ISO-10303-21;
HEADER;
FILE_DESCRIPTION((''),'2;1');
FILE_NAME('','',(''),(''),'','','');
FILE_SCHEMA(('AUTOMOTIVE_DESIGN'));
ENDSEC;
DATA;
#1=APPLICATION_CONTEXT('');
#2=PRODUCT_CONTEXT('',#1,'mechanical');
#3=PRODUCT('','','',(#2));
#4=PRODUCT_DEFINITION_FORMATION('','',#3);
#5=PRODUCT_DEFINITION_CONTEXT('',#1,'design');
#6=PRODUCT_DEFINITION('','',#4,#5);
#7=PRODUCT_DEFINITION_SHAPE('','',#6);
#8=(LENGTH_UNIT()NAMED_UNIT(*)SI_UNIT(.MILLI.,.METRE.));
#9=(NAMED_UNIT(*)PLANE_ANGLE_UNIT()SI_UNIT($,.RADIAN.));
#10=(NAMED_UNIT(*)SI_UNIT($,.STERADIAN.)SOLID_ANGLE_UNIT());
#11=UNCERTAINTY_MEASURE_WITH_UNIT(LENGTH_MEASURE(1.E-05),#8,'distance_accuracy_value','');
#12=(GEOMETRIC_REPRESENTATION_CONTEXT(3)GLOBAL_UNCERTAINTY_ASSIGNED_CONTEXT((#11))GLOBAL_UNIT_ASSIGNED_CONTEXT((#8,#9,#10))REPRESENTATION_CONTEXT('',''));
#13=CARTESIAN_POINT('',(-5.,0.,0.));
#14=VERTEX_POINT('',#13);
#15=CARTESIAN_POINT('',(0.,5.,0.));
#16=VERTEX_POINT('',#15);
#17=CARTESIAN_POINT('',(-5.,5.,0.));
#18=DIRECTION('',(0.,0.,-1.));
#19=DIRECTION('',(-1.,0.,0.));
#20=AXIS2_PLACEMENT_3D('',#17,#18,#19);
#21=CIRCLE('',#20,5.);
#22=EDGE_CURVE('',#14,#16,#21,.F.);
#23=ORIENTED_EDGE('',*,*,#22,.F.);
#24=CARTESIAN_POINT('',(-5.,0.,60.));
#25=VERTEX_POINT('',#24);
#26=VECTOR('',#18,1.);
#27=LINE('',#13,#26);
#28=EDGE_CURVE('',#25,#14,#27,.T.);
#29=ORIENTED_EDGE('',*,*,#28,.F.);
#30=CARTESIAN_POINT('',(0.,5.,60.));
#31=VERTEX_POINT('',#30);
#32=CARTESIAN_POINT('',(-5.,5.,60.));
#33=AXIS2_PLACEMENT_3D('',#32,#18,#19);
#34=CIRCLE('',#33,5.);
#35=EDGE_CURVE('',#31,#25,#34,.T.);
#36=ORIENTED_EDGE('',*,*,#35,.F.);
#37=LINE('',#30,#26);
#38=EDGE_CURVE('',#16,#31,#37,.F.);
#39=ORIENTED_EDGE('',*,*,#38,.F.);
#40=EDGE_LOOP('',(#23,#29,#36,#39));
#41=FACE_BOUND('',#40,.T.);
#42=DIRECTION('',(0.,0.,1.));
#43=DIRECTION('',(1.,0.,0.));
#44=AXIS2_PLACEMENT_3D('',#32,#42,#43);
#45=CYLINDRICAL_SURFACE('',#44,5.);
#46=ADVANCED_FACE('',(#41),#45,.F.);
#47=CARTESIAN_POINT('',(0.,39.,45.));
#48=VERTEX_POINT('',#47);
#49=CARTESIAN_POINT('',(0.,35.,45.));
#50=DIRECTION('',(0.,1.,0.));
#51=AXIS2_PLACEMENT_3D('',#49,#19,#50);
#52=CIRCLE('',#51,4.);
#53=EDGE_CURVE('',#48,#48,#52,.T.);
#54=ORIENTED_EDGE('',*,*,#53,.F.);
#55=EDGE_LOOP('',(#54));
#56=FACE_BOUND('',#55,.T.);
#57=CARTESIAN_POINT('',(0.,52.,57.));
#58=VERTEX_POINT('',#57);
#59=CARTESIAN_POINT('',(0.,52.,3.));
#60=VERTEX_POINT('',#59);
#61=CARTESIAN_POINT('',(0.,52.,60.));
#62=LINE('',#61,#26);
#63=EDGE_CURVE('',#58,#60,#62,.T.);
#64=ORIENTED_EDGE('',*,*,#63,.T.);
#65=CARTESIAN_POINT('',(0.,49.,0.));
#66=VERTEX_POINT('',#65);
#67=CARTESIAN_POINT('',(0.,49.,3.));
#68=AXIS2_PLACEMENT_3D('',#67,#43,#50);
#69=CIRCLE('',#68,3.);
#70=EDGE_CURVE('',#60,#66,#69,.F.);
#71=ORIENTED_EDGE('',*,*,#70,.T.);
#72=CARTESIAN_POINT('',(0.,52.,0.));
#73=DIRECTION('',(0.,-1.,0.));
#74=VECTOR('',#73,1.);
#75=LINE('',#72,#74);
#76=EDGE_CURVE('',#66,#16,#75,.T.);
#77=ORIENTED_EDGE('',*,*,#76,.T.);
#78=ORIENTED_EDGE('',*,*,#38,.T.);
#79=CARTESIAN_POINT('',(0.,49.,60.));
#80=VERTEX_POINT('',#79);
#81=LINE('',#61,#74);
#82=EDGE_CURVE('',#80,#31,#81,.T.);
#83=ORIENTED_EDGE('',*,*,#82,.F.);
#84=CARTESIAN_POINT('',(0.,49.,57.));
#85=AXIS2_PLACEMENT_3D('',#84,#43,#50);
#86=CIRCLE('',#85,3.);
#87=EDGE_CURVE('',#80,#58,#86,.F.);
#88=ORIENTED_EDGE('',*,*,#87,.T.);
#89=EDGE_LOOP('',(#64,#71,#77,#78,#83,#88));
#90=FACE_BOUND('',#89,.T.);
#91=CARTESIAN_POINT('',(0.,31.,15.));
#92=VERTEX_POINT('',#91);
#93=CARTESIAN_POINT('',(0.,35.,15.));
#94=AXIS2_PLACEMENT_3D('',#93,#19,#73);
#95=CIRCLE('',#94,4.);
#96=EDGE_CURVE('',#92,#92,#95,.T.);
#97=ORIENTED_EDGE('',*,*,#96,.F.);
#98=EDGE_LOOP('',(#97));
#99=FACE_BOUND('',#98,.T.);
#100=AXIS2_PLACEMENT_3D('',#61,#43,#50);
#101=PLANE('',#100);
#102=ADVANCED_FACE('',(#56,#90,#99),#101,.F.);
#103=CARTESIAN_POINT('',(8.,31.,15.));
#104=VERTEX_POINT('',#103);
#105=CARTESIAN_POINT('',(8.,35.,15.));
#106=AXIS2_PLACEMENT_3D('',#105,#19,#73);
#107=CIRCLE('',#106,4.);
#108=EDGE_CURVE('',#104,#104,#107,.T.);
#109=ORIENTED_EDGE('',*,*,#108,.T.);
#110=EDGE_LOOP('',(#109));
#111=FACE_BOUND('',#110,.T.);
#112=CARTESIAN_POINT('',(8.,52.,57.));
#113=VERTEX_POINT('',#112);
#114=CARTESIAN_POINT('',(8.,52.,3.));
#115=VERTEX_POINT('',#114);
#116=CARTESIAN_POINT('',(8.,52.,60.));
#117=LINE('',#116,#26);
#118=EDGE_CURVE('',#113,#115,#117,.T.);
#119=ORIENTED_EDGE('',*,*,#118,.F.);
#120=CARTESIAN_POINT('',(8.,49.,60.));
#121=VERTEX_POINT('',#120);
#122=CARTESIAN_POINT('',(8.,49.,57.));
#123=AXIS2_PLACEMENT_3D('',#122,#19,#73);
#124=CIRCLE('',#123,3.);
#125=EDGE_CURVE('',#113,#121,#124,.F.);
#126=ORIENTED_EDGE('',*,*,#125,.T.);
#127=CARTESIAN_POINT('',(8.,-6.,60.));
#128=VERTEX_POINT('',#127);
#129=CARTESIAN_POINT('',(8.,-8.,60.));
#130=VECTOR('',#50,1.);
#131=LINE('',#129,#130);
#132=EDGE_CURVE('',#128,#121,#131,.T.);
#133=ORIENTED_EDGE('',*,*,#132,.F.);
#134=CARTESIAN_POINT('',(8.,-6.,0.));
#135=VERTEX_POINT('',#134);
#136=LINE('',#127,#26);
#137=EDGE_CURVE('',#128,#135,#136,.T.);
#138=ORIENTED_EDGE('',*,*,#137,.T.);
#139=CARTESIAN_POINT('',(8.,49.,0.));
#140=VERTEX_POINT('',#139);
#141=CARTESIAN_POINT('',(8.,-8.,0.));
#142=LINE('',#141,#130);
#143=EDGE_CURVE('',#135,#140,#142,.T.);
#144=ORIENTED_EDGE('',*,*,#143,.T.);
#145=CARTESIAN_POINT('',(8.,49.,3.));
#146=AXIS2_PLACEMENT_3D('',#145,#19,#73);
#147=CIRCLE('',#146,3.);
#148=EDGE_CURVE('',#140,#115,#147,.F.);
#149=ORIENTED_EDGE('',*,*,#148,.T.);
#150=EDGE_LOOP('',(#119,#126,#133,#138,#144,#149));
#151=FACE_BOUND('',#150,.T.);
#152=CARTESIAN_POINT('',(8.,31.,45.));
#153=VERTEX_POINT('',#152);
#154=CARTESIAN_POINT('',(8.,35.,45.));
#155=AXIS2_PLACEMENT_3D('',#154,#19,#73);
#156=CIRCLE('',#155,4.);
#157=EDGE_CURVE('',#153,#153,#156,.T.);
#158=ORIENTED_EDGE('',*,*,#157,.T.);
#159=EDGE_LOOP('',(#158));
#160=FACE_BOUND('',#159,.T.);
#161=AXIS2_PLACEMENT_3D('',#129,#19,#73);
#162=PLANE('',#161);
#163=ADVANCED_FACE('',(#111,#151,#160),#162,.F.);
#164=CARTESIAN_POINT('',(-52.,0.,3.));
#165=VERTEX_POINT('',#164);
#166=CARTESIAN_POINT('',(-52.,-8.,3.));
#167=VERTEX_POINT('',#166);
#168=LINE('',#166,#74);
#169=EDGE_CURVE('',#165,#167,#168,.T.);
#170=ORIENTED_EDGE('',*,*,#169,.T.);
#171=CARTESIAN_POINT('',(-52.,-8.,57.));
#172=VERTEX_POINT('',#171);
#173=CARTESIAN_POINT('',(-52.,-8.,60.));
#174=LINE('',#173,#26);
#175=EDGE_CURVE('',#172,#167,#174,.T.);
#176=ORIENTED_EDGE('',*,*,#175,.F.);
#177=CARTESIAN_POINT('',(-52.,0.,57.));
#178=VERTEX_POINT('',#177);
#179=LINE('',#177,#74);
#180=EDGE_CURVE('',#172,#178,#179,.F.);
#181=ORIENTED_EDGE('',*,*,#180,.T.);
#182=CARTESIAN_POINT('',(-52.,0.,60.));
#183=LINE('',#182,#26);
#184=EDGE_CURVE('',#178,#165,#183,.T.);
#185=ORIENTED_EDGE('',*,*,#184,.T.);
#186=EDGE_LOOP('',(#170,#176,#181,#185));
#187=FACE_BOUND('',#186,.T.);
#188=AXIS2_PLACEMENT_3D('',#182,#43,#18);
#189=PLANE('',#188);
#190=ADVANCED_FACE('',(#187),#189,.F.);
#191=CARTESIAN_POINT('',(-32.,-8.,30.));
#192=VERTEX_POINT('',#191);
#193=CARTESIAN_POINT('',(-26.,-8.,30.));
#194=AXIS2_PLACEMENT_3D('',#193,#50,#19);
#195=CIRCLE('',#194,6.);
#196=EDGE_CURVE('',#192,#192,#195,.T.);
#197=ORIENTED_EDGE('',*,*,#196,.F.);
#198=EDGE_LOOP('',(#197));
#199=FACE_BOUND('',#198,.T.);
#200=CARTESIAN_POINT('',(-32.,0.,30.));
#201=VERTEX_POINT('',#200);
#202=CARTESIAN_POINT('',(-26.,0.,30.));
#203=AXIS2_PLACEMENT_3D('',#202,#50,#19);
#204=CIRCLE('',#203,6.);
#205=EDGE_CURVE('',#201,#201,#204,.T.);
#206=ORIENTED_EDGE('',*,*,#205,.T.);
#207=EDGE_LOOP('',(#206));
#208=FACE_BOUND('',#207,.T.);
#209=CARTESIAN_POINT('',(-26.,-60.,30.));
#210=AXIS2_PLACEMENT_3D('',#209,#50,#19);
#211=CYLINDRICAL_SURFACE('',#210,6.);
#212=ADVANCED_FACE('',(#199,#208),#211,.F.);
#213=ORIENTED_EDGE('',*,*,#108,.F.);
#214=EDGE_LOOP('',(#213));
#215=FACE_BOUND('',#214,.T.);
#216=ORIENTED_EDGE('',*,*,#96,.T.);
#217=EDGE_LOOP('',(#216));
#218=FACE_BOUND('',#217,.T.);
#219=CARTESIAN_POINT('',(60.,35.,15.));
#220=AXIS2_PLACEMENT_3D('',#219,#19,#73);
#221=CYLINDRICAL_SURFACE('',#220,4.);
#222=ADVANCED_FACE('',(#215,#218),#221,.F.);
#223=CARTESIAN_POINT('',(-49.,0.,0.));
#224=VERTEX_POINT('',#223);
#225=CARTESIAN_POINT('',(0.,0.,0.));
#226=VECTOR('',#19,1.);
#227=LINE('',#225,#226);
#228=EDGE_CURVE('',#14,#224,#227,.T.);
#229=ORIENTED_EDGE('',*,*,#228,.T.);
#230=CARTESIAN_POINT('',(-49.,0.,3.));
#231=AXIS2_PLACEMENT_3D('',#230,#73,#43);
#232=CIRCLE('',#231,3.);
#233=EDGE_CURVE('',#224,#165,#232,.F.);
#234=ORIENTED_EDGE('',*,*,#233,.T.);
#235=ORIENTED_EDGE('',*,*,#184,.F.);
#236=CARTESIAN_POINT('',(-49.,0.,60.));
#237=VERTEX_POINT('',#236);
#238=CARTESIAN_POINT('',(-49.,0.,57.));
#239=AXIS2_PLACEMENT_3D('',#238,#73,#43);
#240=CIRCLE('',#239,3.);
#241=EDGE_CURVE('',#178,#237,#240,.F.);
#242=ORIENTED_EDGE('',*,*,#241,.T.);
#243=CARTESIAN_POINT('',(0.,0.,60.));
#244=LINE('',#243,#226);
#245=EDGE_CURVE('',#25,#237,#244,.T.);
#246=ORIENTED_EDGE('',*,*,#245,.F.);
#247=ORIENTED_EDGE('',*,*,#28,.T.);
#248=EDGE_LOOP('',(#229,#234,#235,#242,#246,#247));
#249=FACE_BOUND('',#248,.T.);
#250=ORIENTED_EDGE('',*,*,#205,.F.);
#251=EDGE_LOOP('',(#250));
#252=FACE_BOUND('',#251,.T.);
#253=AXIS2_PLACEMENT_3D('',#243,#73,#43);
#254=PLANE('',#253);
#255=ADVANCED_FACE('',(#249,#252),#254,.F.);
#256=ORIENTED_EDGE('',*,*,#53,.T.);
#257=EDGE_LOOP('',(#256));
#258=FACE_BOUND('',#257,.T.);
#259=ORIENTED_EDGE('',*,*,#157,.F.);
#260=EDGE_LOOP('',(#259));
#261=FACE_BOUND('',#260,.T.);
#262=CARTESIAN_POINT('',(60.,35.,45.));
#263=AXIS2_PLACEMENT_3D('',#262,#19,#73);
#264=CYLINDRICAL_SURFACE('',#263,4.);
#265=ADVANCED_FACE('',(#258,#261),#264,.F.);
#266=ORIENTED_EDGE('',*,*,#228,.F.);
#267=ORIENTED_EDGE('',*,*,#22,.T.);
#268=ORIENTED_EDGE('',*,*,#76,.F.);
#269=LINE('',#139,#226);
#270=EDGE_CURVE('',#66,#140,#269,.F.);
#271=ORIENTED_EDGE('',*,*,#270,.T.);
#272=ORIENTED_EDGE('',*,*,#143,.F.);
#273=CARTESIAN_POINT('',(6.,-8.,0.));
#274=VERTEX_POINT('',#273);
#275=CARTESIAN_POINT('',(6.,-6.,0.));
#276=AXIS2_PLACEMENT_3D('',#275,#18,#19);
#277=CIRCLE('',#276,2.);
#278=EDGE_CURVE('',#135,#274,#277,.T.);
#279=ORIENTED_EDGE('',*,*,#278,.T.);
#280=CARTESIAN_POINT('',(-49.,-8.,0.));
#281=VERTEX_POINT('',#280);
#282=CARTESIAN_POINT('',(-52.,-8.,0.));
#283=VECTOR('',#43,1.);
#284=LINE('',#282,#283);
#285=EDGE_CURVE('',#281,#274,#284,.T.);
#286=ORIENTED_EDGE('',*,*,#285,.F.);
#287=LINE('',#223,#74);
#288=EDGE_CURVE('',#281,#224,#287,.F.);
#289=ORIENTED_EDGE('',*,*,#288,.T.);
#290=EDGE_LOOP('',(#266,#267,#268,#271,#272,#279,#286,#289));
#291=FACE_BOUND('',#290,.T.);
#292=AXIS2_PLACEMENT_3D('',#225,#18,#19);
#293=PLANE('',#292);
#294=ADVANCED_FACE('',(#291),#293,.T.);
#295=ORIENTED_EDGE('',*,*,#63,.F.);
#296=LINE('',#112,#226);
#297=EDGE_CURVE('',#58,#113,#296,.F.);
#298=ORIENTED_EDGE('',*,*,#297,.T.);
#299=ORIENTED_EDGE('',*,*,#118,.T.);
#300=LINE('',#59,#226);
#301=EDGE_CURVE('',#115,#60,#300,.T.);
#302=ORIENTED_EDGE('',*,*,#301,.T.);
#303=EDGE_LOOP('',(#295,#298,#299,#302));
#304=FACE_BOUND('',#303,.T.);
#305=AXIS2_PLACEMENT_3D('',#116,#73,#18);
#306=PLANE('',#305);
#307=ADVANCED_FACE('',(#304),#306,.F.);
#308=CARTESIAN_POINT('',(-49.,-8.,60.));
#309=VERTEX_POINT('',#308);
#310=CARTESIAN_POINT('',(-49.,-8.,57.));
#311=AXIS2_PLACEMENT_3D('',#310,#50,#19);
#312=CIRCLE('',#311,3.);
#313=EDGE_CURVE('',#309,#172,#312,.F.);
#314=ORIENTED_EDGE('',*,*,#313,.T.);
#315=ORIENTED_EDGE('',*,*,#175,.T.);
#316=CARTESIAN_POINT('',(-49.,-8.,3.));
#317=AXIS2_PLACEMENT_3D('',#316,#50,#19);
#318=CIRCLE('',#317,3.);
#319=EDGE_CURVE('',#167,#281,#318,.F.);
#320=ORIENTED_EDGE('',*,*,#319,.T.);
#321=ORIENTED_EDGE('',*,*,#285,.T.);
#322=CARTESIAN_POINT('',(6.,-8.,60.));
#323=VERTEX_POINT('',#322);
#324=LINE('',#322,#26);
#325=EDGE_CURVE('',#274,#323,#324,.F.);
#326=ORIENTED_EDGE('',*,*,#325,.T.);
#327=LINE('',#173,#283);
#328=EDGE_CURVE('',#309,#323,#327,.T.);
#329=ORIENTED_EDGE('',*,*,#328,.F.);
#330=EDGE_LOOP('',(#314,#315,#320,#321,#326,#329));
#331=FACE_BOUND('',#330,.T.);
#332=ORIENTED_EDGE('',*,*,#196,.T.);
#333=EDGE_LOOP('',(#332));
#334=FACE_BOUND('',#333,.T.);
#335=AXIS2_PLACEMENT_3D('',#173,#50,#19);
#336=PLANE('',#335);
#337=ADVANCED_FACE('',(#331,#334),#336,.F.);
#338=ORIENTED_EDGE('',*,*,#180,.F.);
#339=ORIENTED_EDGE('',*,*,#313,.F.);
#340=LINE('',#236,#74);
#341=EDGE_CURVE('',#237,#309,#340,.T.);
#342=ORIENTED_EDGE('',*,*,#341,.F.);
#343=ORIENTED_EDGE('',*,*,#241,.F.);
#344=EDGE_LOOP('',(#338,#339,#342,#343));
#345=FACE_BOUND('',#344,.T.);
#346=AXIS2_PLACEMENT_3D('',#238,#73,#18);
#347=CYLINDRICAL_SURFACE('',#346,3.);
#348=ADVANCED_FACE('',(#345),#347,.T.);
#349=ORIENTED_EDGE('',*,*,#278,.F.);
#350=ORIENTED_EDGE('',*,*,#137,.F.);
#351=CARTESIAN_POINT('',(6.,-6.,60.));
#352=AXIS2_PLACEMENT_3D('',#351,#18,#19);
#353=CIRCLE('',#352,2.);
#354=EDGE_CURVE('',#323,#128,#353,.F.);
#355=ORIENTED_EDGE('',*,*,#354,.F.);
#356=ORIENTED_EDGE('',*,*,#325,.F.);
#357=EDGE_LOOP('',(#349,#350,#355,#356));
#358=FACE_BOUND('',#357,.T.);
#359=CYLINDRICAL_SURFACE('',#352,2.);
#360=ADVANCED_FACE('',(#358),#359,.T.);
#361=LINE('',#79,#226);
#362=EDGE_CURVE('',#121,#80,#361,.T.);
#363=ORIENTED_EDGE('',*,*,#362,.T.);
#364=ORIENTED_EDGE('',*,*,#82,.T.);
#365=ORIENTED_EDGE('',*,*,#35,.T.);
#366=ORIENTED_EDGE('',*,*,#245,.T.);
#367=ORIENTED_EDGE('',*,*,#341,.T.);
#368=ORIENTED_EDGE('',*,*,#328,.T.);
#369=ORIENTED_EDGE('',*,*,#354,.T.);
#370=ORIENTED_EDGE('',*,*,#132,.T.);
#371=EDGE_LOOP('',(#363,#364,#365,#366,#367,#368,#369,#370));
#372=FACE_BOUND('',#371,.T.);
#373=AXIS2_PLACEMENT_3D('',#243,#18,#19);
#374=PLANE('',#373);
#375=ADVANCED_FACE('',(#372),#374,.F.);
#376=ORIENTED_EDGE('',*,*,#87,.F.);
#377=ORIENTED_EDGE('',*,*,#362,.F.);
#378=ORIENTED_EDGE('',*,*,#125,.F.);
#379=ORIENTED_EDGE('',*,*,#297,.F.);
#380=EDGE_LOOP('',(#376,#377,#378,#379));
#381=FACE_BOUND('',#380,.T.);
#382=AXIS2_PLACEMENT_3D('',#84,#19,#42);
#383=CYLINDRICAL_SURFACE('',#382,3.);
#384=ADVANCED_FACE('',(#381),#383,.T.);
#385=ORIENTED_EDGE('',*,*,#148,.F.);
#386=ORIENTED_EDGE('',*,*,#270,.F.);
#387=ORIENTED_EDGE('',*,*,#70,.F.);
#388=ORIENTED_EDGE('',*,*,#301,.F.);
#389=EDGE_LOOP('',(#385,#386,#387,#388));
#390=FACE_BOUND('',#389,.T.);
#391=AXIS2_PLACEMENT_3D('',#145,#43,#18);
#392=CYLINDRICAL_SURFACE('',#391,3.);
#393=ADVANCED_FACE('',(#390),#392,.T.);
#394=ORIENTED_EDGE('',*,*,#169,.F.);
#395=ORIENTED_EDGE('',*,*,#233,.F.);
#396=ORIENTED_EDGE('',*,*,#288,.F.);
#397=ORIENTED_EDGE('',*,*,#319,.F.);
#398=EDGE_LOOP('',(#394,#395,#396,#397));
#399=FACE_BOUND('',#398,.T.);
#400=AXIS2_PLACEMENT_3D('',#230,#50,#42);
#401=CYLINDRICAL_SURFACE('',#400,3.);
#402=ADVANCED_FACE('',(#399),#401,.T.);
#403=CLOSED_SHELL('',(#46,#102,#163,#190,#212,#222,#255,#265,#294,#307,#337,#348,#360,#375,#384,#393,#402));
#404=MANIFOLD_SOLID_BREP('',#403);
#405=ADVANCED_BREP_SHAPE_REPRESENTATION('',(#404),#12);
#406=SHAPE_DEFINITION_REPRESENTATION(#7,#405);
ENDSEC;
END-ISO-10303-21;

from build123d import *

# Parameters (mm, degrees)
BOSS_EXTRUDE2_DEPTH = 60
SKETCH3_R           = 4
CUT_EXTRUDE1_DEPTH  = 60
SKETCH4_R           = 6
CUT_EXTRUDE2_DEPTH  = 60
FILLET1_R           = 3
FILLET2_R           = 5
FILLET3_R           = 2


with BuildPart() as part:
    # Sketch1 → Boss-Extrude2 (new body)
    with BuildSketch(Plane.XY):
        Polygon((0, 0), (-52, 0), (-52, -8), (8, -8), (8, 52), (0, 52), align=None)
    extrude(amount=BOSS_EXTRUDE2_DEPTH)

    # Sketch3 → Cut-Extrude1 (cut)
    with BuildSketch(Plane.ZY):
        with Locations(Location((15, 35, 0), (0, 0, 270))):
            Circle(SKETCH3_R)
        with Locations(Location((45, 35, 0), (0, 0, 270))):
            Circle(SKETCH3_R)
    extrude(amount=-CUT_EXTRUDE1_DEPTH, mode=Mode.SUBTRACT)

    # Sketch4 → Cut-Extrude2 (cut)
    with BuildSketch(Plane(origin=(0, 0, 0), x_dir=(1, 0, 0), z_dir=(0, 1, 0))):
        with Locations(Location((-26, -30, 0), (0, 0, 180))):
            Circle(SKETCH4_R)
    extrude(amount=-CUT_EXTRUDE2_DEPTH, mode=Mode.SUBTRACT)

    # Fillet1
    fillet1_edges = [part.edges().sort_by_distance(p)[0] for p in [
        (-52, -4, 60),
        (4, 52, 60),
        (4, 52, 0),
        (-52, -4, 0),
    ]]
    fillet(fillet1_edges, radius=FILLET1_R)

    # Fillet2
    fillet2_edges = [part.edges().sort_by_distance(p)[0] for p in [
        (0, 0, 30),
    ]]
    fillet(fillet2_edges, radius=FILLET2_R)

    # Fillet3
    fillet3_edges = [part.edges().sort_by_distance(p)[0] for p in [
        (8, -8, 30),
    ]]
    fillet(fillet3_edges, radius=FILLET3_R)


solid = part.part
